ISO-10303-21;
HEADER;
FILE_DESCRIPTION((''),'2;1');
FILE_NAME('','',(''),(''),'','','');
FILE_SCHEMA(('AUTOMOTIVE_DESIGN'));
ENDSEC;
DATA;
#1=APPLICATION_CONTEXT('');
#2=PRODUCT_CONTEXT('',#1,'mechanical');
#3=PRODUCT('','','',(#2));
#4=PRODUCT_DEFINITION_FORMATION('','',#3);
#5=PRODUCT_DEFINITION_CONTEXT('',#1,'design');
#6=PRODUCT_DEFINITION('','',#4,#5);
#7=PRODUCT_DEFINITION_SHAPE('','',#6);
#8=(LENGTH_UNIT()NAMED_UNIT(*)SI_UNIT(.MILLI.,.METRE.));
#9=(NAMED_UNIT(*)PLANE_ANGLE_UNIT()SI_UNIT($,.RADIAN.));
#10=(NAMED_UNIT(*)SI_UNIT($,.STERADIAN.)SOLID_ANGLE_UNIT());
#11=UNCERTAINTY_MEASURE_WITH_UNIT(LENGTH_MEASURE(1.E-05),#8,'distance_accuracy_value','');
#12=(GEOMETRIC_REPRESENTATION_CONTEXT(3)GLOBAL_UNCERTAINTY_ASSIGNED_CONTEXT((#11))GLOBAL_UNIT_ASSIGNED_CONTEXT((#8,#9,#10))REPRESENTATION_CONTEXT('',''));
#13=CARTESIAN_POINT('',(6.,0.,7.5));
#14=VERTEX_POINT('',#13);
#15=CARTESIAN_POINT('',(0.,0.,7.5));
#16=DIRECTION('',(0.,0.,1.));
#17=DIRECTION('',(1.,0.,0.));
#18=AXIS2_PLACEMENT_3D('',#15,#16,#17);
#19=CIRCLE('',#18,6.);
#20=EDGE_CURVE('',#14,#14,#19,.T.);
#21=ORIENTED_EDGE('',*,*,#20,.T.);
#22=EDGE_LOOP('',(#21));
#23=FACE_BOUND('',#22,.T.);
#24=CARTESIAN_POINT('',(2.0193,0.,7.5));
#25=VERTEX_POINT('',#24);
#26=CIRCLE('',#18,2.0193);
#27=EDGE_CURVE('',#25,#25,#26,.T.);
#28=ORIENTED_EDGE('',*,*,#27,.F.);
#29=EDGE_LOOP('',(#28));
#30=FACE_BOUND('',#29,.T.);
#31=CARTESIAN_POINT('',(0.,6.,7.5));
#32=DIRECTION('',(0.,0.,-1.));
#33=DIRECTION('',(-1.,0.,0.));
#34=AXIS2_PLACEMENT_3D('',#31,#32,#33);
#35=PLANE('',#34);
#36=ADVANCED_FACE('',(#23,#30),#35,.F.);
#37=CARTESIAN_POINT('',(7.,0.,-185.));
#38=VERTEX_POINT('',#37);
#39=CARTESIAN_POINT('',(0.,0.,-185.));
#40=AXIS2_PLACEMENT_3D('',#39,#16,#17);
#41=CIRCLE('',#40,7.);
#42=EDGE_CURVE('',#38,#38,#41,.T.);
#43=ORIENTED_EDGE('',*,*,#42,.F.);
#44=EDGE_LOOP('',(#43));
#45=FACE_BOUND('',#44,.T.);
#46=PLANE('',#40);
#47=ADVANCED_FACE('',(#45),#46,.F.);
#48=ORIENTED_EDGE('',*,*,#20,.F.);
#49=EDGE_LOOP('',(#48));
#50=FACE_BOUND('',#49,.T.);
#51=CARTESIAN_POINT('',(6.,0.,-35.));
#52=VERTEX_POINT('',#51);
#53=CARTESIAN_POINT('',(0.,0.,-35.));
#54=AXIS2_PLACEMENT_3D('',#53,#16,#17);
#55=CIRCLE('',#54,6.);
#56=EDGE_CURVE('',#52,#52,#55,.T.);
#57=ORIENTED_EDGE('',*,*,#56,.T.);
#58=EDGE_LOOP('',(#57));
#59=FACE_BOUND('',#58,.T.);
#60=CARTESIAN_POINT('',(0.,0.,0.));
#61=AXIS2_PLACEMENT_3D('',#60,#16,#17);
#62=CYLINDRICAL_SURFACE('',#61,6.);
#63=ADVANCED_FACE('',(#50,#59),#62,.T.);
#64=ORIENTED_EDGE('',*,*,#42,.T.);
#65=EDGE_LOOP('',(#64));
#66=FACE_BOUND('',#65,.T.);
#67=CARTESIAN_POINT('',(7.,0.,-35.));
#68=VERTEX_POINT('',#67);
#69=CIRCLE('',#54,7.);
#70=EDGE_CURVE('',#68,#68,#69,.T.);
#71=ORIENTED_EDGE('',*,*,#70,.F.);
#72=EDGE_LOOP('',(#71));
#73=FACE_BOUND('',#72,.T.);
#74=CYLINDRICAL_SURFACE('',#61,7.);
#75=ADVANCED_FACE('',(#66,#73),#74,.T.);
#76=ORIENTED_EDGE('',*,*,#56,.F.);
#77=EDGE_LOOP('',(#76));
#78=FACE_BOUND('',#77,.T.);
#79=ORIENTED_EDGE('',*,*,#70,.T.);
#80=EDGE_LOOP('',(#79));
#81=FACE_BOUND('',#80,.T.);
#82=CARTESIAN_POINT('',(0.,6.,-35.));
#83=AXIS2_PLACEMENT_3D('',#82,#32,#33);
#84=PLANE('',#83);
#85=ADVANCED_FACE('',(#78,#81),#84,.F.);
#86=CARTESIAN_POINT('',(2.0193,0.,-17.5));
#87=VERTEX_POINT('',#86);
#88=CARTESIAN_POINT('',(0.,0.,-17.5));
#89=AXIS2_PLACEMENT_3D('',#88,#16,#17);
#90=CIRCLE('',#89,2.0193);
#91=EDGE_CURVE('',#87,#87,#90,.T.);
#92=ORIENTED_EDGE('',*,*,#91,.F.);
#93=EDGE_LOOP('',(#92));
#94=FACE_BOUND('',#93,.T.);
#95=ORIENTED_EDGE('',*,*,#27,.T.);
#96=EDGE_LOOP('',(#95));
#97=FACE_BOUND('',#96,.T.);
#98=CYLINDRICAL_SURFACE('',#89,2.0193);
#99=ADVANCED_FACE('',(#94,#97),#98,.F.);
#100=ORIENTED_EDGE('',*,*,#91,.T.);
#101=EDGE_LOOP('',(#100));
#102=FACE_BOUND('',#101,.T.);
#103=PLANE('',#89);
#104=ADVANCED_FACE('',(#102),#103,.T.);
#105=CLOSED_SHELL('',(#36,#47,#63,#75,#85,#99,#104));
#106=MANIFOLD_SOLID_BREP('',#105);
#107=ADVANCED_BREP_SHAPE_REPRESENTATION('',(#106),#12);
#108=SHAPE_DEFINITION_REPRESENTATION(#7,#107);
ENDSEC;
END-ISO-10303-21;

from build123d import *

# Parameters (mm, degrees)
SKETCH2_R          = 2.0193
CUT_EXTRUDE1_DEPTH = 25


with BuildPart() as part:
    # Sketch1 → Revolve1 (revolve)
    with BuildSketch(Plane(origin=(0, 0, 0), x_dir=(0, 0, -1), z_dir=(1, 0, 0)), mode=Mode.PRIVATE) as revolve1_sk:
        Polygon((185, 0), (185, 7), (35, 7), (35, 6), (-7.5, 6), (-7.5, 0), align=None)
    revolve(revolve1_sk.sketch.rotate(Axis((0, 0, 0), (0, 0, -1)), 90), axis=Axis((0, 0, 0), (0, 0, -1)))

    # Sketch2 → Cut-Extrude1 (cut)
    with BuildSketch(Plane.XY.offset(7.5)):
        Circle(SKETCH2_R)
    extrude(amount=-CUT_EXTRUDE1_DEPTH, mode=Mode.SUBTRACT)


solid = part.part
